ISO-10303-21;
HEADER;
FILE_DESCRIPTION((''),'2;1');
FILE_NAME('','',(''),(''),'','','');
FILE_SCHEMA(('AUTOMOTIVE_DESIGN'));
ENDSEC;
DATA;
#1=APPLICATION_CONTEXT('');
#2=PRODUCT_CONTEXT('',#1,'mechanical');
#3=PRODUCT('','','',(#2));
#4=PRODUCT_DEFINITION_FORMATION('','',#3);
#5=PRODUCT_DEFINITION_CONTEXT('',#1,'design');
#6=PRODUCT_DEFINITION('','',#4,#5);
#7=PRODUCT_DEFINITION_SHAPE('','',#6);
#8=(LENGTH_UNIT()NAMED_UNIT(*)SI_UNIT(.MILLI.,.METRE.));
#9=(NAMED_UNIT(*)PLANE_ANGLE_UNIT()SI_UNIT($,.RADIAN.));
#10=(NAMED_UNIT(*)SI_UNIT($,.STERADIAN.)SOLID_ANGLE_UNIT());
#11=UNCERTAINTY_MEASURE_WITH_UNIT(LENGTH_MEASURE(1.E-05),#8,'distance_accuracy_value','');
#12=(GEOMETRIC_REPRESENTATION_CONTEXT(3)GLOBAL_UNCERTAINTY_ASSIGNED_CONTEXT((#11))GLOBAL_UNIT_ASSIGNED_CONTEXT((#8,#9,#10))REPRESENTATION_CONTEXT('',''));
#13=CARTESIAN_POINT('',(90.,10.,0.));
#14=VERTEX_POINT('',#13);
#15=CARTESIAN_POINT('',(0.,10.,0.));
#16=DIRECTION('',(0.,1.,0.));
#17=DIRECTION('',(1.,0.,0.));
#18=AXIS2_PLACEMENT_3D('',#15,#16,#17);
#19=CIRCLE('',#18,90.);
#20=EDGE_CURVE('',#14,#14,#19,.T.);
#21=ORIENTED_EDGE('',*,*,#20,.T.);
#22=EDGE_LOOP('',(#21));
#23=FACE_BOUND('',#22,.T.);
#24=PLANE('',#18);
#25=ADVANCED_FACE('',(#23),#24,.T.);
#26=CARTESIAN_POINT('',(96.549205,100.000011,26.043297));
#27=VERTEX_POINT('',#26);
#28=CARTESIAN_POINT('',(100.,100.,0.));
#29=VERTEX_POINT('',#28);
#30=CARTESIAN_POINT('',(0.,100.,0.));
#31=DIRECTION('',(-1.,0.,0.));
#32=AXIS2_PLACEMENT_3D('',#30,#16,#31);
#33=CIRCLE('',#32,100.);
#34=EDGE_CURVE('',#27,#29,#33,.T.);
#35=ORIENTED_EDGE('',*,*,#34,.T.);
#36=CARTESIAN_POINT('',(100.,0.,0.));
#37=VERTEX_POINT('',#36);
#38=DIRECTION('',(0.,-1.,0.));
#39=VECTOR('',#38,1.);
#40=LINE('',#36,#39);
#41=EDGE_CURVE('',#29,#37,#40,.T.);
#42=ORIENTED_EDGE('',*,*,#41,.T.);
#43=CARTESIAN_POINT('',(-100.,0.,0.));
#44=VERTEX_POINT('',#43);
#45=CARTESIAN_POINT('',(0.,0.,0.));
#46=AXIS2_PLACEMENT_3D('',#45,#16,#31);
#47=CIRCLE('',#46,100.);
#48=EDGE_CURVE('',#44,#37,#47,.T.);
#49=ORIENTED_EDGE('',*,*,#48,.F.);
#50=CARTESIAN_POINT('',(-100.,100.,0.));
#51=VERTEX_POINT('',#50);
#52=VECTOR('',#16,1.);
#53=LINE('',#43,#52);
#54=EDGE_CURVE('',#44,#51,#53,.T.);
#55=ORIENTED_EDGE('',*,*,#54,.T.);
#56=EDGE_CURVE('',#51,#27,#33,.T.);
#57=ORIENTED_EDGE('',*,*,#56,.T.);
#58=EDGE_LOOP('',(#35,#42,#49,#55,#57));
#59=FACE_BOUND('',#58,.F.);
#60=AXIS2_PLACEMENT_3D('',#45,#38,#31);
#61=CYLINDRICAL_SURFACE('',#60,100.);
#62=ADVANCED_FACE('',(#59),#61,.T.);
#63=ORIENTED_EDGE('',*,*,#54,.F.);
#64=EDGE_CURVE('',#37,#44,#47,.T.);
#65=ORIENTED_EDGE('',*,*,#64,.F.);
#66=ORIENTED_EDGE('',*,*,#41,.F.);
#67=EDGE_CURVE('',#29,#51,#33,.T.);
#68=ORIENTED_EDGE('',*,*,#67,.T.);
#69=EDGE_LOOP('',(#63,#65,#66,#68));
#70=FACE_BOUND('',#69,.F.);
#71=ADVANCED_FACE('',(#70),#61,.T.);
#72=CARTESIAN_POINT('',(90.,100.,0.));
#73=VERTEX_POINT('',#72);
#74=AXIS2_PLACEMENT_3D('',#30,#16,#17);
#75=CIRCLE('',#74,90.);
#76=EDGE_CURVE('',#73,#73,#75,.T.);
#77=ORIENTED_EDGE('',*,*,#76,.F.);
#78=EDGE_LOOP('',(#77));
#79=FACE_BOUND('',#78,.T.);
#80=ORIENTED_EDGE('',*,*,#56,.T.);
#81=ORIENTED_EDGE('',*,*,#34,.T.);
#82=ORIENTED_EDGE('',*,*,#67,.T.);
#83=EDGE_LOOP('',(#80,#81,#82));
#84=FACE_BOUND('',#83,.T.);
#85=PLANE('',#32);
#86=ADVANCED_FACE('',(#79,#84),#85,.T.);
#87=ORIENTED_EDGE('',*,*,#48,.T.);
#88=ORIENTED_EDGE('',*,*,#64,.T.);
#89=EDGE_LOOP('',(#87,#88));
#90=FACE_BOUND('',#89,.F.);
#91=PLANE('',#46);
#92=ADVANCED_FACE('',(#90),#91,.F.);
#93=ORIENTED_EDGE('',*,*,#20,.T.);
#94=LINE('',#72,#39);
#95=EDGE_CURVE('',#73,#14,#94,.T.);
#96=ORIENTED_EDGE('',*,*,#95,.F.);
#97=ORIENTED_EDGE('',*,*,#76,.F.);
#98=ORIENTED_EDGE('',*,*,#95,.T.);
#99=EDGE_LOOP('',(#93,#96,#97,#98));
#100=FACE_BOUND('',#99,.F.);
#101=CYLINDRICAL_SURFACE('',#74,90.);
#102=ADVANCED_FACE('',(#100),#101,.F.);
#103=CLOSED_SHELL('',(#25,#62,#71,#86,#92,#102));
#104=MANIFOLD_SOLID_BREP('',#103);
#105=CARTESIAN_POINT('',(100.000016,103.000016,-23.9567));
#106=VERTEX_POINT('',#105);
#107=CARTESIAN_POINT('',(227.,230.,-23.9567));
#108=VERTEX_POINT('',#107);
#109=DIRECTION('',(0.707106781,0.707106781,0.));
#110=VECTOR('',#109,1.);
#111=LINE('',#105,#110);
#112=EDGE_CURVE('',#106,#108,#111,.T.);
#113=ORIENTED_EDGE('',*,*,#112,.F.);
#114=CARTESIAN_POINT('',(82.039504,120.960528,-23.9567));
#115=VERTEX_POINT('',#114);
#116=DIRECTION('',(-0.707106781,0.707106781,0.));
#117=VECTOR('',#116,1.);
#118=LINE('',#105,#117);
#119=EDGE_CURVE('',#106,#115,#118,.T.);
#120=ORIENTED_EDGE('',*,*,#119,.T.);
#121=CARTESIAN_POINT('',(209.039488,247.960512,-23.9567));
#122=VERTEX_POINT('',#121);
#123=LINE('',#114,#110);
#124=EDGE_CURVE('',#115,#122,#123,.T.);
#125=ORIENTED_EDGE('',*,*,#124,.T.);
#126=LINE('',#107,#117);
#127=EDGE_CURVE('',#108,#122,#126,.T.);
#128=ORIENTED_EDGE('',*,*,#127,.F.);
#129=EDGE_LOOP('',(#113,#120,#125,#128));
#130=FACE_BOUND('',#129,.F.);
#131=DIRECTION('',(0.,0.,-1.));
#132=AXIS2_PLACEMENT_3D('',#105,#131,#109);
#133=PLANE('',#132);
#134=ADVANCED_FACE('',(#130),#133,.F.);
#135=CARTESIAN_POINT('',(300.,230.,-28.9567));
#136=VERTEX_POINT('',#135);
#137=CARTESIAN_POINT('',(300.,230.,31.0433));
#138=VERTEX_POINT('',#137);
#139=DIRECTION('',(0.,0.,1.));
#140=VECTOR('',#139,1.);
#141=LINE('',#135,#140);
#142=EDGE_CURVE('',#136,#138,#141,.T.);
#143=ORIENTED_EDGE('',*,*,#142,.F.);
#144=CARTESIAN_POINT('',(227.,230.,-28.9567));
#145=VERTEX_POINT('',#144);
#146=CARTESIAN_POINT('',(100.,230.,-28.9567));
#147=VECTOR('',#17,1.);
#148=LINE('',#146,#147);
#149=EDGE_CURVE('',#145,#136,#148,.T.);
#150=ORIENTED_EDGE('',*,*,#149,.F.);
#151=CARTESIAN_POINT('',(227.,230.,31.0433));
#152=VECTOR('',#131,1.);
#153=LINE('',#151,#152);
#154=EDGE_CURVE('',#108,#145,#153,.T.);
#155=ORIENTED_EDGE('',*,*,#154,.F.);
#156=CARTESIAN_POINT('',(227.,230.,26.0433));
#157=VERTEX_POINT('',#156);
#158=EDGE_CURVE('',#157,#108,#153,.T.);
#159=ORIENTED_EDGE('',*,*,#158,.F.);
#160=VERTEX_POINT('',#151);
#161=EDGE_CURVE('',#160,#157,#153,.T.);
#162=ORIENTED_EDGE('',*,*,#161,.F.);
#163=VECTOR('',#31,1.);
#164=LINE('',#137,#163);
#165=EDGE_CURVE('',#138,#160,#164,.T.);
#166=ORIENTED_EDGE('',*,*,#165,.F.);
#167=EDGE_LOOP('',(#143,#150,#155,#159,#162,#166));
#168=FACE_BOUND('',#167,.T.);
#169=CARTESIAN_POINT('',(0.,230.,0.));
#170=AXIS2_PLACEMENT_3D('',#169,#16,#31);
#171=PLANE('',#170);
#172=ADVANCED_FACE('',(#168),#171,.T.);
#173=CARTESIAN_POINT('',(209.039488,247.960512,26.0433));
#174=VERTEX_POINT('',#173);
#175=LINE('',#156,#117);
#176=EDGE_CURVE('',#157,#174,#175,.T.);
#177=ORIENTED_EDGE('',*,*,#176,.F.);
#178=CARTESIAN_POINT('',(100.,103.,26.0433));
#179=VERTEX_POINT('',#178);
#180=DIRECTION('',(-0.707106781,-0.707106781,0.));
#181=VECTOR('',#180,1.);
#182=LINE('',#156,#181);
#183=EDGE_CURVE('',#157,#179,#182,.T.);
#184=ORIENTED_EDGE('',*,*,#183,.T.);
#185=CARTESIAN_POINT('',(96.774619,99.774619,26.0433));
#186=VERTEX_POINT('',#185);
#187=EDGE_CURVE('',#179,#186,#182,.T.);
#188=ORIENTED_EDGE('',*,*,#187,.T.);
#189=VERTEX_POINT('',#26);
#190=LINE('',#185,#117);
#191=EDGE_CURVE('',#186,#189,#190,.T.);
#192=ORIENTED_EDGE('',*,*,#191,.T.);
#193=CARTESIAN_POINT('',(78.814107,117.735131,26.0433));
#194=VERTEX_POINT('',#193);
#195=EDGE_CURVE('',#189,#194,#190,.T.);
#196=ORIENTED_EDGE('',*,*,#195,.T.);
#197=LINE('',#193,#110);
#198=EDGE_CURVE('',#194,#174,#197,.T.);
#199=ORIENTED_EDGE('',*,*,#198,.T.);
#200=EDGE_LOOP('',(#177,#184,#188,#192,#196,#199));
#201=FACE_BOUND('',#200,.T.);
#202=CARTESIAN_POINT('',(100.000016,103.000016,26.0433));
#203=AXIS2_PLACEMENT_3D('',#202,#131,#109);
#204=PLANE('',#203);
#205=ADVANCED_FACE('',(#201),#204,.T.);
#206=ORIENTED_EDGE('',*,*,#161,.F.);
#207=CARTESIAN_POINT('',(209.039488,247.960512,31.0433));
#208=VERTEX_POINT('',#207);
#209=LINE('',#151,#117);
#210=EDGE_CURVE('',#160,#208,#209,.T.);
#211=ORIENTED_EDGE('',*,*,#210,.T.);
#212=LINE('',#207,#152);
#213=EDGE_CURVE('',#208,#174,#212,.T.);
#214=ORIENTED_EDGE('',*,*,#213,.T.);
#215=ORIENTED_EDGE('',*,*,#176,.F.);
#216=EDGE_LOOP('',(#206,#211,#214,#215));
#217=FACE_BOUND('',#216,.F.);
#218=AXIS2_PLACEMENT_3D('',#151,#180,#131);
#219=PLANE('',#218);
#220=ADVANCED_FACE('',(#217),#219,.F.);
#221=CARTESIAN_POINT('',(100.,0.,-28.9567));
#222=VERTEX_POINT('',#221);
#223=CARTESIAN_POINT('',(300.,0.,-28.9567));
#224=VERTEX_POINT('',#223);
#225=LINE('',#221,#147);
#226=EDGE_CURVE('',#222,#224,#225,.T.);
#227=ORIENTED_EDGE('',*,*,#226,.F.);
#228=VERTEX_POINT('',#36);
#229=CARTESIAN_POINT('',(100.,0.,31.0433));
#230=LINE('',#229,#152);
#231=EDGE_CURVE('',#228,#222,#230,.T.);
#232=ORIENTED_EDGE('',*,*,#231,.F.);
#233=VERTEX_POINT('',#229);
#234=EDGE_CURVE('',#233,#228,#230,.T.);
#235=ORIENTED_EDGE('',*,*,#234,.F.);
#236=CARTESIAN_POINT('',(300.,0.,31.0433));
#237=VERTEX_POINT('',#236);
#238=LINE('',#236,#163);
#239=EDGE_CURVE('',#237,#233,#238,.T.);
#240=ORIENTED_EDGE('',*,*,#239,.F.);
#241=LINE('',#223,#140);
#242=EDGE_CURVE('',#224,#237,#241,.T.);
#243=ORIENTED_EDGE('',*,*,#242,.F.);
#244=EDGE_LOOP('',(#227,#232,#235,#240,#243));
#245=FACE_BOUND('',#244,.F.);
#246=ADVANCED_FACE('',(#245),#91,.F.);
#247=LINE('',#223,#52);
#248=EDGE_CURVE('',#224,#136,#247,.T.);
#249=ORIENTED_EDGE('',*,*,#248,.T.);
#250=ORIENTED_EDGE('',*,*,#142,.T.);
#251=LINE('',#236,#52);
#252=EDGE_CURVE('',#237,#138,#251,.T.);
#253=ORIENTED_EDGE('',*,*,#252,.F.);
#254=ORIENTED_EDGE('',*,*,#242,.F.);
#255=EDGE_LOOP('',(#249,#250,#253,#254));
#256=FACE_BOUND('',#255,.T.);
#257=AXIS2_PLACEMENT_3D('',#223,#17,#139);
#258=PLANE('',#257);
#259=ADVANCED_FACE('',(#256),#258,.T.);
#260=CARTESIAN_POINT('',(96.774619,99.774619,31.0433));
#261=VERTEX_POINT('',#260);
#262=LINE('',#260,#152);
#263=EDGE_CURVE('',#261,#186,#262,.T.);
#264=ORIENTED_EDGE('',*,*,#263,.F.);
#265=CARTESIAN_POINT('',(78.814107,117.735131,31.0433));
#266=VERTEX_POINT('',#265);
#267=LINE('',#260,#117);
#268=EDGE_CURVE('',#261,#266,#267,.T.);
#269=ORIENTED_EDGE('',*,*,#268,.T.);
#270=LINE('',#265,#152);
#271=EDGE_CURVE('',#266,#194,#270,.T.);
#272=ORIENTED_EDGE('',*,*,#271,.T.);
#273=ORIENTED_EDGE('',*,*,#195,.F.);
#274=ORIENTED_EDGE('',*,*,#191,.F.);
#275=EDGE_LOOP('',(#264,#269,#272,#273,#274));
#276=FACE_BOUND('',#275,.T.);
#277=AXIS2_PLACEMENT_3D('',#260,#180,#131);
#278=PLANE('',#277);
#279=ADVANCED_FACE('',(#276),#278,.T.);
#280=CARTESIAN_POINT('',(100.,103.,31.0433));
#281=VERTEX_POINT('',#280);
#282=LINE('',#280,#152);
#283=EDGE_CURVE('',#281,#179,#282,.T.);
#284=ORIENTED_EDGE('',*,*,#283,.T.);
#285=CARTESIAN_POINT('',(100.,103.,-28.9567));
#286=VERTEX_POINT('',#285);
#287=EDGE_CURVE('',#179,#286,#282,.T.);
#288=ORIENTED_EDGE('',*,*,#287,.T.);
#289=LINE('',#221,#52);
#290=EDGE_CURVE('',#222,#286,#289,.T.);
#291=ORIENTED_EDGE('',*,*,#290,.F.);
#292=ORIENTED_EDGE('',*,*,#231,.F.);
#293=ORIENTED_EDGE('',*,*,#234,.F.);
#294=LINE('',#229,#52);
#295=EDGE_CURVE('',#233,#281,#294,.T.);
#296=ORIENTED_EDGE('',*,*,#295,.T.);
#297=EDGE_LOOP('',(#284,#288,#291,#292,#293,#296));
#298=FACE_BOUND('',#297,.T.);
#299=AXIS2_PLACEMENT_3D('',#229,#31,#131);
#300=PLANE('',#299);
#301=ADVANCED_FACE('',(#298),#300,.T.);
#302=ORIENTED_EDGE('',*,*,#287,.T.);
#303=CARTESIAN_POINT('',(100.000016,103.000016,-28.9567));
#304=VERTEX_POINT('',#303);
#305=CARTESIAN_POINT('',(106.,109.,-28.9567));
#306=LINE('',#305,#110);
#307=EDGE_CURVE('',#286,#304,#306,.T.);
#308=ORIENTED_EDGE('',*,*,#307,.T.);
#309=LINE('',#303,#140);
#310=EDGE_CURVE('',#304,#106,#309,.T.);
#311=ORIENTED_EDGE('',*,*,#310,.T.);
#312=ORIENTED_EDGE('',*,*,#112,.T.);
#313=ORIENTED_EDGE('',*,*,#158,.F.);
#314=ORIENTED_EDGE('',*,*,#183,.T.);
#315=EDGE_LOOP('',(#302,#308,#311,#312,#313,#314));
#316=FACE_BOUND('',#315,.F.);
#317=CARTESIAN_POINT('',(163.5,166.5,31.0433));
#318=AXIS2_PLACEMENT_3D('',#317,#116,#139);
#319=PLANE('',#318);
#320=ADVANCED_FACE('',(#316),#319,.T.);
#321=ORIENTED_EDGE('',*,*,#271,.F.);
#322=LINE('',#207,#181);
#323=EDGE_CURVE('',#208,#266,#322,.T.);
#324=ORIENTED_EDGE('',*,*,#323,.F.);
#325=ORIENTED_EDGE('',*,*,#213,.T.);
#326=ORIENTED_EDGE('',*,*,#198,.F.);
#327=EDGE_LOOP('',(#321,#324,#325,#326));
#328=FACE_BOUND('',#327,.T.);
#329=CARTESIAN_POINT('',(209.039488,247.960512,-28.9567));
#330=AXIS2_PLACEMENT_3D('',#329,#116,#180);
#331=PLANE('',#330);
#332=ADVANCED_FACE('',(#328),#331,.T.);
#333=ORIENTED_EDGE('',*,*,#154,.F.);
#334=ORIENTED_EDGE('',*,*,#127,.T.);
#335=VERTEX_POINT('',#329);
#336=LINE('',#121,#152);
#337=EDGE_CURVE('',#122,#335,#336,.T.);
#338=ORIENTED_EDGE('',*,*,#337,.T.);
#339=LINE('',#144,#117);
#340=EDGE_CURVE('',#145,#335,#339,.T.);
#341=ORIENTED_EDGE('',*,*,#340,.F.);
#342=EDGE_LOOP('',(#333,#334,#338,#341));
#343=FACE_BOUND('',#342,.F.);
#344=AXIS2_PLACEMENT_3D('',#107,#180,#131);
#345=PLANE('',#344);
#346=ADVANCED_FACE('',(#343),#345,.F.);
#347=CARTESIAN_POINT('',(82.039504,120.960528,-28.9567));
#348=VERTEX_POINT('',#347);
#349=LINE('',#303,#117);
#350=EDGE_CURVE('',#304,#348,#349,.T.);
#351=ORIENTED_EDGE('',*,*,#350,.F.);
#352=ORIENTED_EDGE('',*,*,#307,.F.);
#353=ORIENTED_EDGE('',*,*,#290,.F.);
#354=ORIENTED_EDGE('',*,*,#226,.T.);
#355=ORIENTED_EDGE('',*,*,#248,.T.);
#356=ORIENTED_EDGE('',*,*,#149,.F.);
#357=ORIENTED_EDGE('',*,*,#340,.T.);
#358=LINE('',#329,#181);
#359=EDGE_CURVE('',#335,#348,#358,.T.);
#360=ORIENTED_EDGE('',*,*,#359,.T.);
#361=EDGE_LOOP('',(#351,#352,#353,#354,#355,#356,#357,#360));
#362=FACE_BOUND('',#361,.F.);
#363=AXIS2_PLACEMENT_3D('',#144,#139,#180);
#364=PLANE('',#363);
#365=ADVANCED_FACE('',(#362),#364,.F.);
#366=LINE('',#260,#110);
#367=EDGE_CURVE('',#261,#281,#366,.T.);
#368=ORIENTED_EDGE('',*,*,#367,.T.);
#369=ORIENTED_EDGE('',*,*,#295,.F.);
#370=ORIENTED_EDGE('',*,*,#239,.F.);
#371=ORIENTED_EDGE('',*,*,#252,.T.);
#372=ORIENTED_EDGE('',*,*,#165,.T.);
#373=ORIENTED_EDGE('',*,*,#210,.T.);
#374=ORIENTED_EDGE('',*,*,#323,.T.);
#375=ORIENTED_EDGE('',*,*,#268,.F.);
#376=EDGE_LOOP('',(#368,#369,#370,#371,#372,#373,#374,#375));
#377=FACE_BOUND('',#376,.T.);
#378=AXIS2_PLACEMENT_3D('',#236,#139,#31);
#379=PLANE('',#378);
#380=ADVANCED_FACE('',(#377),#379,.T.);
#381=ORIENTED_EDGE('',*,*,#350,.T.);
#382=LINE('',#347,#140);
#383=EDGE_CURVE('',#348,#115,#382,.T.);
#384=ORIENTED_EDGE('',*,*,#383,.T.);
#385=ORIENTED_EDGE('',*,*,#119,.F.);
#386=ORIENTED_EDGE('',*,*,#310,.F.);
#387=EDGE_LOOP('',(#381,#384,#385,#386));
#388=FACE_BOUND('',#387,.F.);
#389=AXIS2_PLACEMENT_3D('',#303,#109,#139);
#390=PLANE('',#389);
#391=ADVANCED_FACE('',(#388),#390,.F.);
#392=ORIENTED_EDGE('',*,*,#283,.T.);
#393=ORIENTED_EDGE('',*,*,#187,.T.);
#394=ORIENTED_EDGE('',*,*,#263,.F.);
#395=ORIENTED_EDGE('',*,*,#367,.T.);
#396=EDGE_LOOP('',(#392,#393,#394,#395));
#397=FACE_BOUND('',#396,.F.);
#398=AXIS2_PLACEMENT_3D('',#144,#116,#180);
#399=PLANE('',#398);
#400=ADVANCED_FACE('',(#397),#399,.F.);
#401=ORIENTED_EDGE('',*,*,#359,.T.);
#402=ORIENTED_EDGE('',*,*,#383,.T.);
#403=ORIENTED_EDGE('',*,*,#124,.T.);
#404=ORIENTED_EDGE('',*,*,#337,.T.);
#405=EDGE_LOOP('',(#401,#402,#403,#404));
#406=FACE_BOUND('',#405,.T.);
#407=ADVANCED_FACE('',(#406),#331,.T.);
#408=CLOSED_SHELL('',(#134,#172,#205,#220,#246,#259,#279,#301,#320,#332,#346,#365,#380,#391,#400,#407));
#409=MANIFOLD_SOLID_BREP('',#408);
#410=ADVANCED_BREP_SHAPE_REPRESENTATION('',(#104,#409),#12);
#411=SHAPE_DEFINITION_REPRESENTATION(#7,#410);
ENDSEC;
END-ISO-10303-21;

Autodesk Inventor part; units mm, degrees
ref_plane "YZ Plane" through (0, 0, 0) normal (1, 0, 0) x (0, 1, 0)
ref_plane "XZ Plane" through (0, 0, 0) normal (0, 1, 0) x (-1, 0, 0)
ref_plane "XY Plane" through (0, 0, 0) normal (0, 0, 1) x (1, 0, 0)
sketch "Sketch1" plane through (0, 0, 0) normal (0, 1, 0) x (-1, 0, 0)
  circle A0 centre (0, 0) radius 100
  dimension "d0" = 100
extrude "Extrusion1" add sketch "Sketch1" along normal blind 100
sketch "Sketch2" plane through (0, 100, 0) normal (0, 1, 0) x (1, 0, 0)
  circle A0 centre (0, 0) radius 90
  dimension "d3" = 90
extrude "Extrusion2" cut sketch "Sketch2" against normal blind 90
sketch "Sketch3" plane through (0, 100, 0) normal (0, 1, 0) x (1, 0, 0)
  point P0 (0, 0)
sketch "Sketch4" plane through (0, 0, 0) normal (0, 0, 1) x (1, 0, 0)
  line L0 (100, 0) -> (100, 100) projected
  line L1 (100, 0) -> (-100, 0) projected
  line L2 (100, 100) -> (100, 0)
  point P0 (0, 0)
sketch "Sketch5" plane through (0, 0, 0) normal (0, 1, 0) x (-1, 0, 0)
  circle A0 centre (0, 0) radius 100 projected
  line L0 (-95.5, 30.3394) -> (-95.5, 30.3394)
  circle A1 centre (0, 0) radius 100 projected
  line L1 (-100, 0) -> (-100, 30)
  line L2 (-100, 30) -> (-100, -30)
  dimension "d12" = 30
  dimension "d13" = 60
sketch "Sketch6" plane through (0, 0, 0) normal (1, 0, 0) x (0, 1, 0)
  point P0 (0, 0)
sketch "Sketch7" plane through (0, 0, 0) normal (1, 0, 0) x (0, 1, 0)
  point P0 (0, 0)
sketch "Sketch8" plane through (0, 0, 0) normal (0, 0, 1) x (1, 0, 0)
  line L0 (71.0018, -29.5169) -> (371.0018, -29.5169) construction
  point P0 (0, 0)
sketch "Sketch9" plane through (0, 0, 0) normal (1, 0, 0) x (0, 1, 0)
  point P0 (0, 0)
sketch "Sketch10" plane through (0, 0, 0) normal (1, 0, 0) x (0, 1, 0)
  point P0 (0, 0)
sketch "Sketch11" plane through (0, 100, 0) normal (0, 1, 0) x (1, 0, 0)
  point P0 (0, 0)
sketch "Sketch12" plane through (0, 0, 0) normal (0, 1, 0) x (-1, 0, 0)
  line L0 (-100, -28.9567) -> (-300, -28.9567)
  line L1 (-300, -28.9567) -> (-300, 31.0433)
  line L2 (-300, 31.0433) -> (-100, 31.0433)
  line L3 (-100, 31.0433) -> (-100, -28.9567)
  point P0 (0, 0)
  dimension "d16" = 200
  dimension "d17" = 60
extrude "Extrusion3" add sketch "Sketch12" along normal blind 230
sketch "Sketch13" plane through (100, 0, 31.0433) normal (0, 0, 1) x (1, 0, 0)
  line L0 (0, 0) -> (-200, 0) projected
  line L1 (0, 0) -> (200, 200)
  line L2 (200, 0) -> (200, 230) projected
  line L3 (0, 0) -> (282.8427, 0) construction
  line L4 (0, 103.2812) -> (126.7188, 230)
  line L5 (0, 230) -> (200, 230) projected
  line L6 (126.7188, 230) -> (200, 230)
  line L7 (200, 200) -> (0, 0)
  line L8 (0, 103.2812) -> (126.7188, 230)
  point P0 (-100, 0)
  dimension "d20" = 45
chamfer "Chamfer1" distance 127 angle 45 1 edges at (100, 230, 1.0433)
sketch "Sketch14" plane through (227, 230, -28.9567) normal (-0.7071, 0.7071, 0) x (-0.7071, -0.7071, 0)
  line L0 (0, 0) -> (179.6051, 0) projected
  line L1 (179.6051, 0) -> (179.6051, 60) projected
  line L2 (0, 0) -> (179.6051, 0)
  line L3 (179.6051, 0) -> (179.6051, 5)
  line L4 (179.6051, 5) -> (0, 5)
  line L5 (0, 5) -> (0, 0)
  line L6 (0, 60) -> (0, 0) projected
  ellipse E0 centre (252.4371, 28.9567) end of major axis (252.4371, 128.9567) minor radius 70.7107 projected
  line L7 (0, 60) -> (184.1665, 60)
  line L8 (184.1665, 60) -> (184.1665, 55)
  line L9 (184.1665, 55) -> (0, 55)
  line L10 (0, 55) -> (0, 60)
  point P0 (323.1478, 28.9567)
  point P1 (181.7264, 28.9567)
  point P2 (0, 55)
  dimension "d24" = 5
  dimension "d25" = 5
extrude "Extrusion4" add sketch "Sketch14" along normal blind 25.4 contours L6 L7 L1 L9 | L1 L7 L8 L9
sketch "Sketch15" plane through (227, 230, -28.9567) normal (-0.7071, 0.7071, 0) x (-0.7071, -0.7071, 0)
  line L0 (-51.6188, 0) -> (0, 0) projected
  line L1 (179.6051, 0) -> (179.6051, 55) projected
  line L2 (0, 0) -> (179.6051, 0)
  line L3 (179.6051, 0) -> (179.6051, 5)
  line L4 (179.6051, 5) -> (0, 5)
  line L5 (0, 5) -> (0, 0)
  point P0 (323.1478, 28.9567)
  point P1 (179.6051, 0)
  dimension "d28" = 5
extrude "Extrusion5" add sketch "Sketch15" along normal blind 25.4
properties part number "inclined container"
